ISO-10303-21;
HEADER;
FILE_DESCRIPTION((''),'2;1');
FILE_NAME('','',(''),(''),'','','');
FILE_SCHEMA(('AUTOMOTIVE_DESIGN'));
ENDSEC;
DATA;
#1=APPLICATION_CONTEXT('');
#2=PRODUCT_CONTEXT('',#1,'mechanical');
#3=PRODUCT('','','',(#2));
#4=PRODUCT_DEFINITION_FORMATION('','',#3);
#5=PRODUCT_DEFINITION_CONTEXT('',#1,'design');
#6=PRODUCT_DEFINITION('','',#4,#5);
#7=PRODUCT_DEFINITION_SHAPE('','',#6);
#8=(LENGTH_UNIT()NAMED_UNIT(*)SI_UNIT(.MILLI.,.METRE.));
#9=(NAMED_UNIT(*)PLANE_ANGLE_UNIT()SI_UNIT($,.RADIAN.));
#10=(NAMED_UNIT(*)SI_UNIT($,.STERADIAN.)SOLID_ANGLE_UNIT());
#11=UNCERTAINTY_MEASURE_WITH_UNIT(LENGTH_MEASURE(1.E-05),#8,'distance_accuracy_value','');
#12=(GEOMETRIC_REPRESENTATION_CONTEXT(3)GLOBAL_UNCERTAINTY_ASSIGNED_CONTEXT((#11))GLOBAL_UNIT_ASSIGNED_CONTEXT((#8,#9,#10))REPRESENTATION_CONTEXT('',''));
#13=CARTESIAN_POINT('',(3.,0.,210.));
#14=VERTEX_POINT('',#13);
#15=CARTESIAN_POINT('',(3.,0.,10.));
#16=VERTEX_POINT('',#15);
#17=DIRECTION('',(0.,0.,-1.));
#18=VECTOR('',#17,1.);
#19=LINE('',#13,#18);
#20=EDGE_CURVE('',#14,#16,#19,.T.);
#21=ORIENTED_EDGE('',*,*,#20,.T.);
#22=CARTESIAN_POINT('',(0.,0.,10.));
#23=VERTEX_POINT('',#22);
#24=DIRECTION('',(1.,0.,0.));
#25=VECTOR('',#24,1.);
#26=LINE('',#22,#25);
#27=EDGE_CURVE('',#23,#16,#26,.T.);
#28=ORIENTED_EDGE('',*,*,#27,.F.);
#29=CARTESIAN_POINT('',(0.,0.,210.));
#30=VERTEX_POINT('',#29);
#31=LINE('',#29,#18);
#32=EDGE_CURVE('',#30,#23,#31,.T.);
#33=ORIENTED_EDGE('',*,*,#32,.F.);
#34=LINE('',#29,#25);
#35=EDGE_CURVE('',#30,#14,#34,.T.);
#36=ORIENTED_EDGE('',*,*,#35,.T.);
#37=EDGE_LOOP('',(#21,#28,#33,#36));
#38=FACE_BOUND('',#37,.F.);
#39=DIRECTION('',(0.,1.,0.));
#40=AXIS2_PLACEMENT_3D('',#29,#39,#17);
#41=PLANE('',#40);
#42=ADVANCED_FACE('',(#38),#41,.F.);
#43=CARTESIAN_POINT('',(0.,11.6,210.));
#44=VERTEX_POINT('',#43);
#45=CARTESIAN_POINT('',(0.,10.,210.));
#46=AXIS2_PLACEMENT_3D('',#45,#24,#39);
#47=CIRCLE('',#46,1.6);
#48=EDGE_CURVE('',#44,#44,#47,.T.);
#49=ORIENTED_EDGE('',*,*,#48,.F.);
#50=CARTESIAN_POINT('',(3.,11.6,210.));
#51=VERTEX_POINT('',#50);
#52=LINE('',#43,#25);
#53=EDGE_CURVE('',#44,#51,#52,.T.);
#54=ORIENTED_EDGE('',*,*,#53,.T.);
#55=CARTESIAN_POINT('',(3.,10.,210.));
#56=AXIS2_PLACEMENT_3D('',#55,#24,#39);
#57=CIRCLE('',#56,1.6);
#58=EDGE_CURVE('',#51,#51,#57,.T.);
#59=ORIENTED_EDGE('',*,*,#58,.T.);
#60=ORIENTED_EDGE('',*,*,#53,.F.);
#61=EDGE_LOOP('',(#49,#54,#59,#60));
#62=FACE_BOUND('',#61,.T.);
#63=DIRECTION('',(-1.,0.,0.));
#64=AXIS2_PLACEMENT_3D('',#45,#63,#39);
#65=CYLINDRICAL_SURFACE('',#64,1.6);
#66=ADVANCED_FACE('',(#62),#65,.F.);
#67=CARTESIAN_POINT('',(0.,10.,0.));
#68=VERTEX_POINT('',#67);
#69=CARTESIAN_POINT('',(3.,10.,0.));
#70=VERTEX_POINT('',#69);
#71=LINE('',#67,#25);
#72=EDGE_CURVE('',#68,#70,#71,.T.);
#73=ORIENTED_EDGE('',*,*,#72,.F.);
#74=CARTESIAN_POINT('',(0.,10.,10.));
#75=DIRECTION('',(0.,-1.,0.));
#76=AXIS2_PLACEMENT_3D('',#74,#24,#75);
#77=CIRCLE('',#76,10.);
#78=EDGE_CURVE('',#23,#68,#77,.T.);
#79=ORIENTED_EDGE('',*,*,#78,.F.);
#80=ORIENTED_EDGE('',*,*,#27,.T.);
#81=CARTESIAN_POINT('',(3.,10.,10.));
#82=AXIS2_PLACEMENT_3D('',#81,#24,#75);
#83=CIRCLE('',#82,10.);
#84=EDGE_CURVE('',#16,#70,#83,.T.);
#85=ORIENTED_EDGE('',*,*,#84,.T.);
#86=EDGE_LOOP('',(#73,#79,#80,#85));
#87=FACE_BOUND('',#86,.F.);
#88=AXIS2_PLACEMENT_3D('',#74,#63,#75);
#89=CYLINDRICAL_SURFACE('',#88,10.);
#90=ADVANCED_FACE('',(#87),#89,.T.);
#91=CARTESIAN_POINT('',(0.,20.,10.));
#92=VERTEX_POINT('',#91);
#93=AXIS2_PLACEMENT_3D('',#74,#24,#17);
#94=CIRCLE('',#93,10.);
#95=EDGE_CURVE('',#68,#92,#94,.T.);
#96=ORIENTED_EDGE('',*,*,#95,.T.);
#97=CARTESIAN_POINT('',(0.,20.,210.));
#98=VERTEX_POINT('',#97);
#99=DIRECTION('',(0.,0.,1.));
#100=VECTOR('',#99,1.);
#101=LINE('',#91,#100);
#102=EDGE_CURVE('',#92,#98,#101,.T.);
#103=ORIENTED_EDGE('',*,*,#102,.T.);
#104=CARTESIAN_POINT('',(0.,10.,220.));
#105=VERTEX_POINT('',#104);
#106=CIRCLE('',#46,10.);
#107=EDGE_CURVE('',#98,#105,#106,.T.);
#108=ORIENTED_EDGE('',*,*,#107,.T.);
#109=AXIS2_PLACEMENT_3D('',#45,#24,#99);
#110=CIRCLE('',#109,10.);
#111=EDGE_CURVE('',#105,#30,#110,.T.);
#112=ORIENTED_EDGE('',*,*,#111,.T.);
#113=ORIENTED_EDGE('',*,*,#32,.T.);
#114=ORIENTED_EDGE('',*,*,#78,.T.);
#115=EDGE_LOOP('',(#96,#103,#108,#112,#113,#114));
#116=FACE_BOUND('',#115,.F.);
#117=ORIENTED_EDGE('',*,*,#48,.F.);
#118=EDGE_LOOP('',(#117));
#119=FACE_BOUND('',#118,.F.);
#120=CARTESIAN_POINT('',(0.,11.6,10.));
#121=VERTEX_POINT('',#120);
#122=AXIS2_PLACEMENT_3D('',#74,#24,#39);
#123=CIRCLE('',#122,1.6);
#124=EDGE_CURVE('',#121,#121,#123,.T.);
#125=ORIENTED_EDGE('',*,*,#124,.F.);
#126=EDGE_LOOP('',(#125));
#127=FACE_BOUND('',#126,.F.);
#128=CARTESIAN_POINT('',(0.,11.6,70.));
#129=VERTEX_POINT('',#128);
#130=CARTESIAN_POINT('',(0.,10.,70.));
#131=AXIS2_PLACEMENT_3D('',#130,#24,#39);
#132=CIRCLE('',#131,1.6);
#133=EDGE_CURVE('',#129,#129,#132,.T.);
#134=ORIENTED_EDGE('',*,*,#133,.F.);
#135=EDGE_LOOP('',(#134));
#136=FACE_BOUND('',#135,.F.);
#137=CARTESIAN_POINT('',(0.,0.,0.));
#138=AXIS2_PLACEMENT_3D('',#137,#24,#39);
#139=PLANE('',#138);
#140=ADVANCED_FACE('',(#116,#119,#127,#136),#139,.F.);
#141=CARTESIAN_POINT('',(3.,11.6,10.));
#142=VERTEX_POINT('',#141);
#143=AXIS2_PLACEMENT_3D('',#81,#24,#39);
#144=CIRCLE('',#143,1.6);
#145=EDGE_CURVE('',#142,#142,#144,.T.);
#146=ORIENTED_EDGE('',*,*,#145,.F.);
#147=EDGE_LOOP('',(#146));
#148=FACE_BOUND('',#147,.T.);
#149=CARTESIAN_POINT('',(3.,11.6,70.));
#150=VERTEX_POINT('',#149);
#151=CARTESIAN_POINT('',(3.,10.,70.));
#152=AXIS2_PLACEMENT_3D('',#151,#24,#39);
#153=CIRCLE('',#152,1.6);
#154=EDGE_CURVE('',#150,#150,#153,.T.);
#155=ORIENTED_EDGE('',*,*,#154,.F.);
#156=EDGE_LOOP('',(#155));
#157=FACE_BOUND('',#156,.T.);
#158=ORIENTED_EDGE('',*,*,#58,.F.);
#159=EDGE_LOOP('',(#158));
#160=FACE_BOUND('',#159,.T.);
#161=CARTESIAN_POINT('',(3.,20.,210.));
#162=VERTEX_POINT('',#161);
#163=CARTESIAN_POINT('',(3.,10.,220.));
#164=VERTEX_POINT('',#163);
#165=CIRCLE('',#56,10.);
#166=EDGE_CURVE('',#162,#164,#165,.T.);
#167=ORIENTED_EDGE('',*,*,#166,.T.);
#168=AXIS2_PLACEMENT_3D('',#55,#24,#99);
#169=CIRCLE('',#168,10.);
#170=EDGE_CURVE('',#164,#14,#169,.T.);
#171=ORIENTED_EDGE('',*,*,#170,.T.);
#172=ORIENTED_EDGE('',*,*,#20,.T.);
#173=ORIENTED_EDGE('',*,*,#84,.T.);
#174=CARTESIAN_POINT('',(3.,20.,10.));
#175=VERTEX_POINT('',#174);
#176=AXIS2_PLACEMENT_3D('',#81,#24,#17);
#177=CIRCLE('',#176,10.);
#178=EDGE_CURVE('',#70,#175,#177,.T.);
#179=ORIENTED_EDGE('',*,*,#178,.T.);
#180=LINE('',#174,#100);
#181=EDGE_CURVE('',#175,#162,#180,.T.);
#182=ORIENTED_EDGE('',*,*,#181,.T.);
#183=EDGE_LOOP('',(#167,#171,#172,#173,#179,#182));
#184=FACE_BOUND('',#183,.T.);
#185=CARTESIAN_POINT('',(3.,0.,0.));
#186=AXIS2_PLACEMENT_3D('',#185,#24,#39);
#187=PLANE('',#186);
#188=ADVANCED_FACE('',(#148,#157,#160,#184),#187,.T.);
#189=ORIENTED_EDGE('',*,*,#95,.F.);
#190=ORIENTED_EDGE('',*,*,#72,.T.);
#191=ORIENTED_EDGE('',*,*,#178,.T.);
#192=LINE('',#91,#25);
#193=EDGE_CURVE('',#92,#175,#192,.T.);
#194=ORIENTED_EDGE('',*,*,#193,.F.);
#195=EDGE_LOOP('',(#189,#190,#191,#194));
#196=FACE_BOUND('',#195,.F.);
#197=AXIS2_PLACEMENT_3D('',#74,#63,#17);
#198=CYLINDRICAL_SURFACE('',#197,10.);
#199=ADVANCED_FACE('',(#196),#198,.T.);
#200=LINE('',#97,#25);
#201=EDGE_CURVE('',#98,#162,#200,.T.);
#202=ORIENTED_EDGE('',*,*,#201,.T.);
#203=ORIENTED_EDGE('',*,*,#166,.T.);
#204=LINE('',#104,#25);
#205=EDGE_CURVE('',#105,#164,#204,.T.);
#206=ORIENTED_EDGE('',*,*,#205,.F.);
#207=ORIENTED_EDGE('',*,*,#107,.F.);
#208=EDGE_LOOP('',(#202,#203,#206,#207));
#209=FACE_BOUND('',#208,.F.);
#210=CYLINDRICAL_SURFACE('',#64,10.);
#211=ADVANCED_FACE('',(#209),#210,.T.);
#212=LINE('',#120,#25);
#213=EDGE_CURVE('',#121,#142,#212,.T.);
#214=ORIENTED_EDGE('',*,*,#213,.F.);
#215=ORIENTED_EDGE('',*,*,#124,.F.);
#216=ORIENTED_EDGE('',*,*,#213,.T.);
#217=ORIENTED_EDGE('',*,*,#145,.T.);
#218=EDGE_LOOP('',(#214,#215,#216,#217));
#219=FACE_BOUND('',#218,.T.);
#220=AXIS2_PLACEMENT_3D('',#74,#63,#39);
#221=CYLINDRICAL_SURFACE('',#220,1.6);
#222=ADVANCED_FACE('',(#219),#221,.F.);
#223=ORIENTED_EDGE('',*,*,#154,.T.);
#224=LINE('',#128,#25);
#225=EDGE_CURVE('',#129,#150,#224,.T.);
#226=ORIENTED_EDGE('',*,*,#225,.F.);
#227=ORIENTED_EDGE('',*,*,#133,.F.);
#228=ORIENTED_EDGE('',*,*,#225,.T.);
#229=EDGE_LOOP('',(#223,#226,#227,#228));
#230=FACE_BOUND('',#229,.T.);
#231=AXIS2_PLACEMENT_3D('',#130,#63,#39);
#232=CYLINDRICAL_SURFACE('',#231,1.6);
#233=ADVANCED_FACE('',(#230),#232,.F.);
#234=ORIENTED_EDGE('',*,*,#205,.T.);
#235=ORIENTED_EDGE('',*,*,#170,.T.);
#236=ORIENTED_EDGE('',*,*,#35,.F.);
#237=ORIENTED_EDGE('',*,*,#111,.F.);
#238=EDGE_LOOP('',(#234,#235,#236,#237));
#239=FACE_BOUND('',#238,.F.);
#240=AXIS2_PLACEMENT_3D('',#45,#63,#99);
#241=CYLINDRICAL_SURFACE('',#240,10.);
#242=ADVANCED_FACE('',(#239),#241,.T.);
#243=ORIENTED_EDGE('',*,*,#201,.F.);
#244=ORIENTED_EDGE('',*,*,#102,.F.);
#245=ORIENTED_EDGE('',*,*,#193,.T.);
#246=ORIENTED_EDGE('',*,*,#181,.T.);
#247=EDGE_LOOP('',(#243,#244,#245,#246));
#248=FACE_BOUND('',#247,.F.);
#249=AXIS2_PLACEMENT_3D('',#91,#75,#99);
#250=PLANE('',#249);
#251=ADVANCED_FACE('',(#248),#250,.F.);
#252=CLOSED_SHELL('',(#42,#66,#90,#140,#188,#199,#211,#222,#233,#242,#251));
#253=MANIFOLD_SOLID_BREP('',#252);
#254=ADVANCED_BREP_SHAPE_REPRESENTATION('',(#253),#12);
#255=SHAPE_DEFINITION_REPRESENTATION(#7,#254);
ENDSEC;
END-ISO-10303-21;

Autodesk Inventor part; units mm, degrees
ref_plane "YZ Plane" through (0, 0, 0) normal (1, 0, 0) x (0, 1, 0)
ref_plane "XZ Plane" through (0, 0, 0) normal (0, 1, 0) x (-1, 0, 0)
ref_plane "XY Plane" through (0, 0, 0) normal (0, 0, 1) x (1, 0, 0)
sketch "Szkic1" plane through (0, 0, 0) normal (1, 0, 0) x (0, 1, 0)
  line L0 (10, 0) -> (10, 0)
  line L1 (20, 10) -> (20, 210)
  line L2 (10, 220) -> (10, 220)
  line L3 (0, 210) -> (0, 10)
  arc A0 (20, 210) -> (10, 220) centre (10, 210) ccw
  arc A1 (10, 220) -> (0, 210) centre (10, 210) ccw
  arc A2 (10, 0) -> (20, 10) centre (10, 10) ccw
  arc A3 (0, 10) -> (10, 0) centre (10, 10) ccw
  circle A4 centre (10, 210) radius 1.6
  circle A5 centre (10, 70) radius 1.6
  circle A6 centre (10, 10) radius 1.6
  point P0 (0, 0)
  point P1 (20, 220)
  point P2 (0, 220)
  dimension "d0" = 20
  dimension "d1" = 10
  dimension "d2" = 200
  dimension "d3" = 60
  dimension "d4" = 3.2
  dimension "d5" = 3.2
  dimension "d6" = 3.2
extrude "Wyciągnięcie proste1" add sketch "Szkic1" along normal blind 3
properties part number "segment2"
